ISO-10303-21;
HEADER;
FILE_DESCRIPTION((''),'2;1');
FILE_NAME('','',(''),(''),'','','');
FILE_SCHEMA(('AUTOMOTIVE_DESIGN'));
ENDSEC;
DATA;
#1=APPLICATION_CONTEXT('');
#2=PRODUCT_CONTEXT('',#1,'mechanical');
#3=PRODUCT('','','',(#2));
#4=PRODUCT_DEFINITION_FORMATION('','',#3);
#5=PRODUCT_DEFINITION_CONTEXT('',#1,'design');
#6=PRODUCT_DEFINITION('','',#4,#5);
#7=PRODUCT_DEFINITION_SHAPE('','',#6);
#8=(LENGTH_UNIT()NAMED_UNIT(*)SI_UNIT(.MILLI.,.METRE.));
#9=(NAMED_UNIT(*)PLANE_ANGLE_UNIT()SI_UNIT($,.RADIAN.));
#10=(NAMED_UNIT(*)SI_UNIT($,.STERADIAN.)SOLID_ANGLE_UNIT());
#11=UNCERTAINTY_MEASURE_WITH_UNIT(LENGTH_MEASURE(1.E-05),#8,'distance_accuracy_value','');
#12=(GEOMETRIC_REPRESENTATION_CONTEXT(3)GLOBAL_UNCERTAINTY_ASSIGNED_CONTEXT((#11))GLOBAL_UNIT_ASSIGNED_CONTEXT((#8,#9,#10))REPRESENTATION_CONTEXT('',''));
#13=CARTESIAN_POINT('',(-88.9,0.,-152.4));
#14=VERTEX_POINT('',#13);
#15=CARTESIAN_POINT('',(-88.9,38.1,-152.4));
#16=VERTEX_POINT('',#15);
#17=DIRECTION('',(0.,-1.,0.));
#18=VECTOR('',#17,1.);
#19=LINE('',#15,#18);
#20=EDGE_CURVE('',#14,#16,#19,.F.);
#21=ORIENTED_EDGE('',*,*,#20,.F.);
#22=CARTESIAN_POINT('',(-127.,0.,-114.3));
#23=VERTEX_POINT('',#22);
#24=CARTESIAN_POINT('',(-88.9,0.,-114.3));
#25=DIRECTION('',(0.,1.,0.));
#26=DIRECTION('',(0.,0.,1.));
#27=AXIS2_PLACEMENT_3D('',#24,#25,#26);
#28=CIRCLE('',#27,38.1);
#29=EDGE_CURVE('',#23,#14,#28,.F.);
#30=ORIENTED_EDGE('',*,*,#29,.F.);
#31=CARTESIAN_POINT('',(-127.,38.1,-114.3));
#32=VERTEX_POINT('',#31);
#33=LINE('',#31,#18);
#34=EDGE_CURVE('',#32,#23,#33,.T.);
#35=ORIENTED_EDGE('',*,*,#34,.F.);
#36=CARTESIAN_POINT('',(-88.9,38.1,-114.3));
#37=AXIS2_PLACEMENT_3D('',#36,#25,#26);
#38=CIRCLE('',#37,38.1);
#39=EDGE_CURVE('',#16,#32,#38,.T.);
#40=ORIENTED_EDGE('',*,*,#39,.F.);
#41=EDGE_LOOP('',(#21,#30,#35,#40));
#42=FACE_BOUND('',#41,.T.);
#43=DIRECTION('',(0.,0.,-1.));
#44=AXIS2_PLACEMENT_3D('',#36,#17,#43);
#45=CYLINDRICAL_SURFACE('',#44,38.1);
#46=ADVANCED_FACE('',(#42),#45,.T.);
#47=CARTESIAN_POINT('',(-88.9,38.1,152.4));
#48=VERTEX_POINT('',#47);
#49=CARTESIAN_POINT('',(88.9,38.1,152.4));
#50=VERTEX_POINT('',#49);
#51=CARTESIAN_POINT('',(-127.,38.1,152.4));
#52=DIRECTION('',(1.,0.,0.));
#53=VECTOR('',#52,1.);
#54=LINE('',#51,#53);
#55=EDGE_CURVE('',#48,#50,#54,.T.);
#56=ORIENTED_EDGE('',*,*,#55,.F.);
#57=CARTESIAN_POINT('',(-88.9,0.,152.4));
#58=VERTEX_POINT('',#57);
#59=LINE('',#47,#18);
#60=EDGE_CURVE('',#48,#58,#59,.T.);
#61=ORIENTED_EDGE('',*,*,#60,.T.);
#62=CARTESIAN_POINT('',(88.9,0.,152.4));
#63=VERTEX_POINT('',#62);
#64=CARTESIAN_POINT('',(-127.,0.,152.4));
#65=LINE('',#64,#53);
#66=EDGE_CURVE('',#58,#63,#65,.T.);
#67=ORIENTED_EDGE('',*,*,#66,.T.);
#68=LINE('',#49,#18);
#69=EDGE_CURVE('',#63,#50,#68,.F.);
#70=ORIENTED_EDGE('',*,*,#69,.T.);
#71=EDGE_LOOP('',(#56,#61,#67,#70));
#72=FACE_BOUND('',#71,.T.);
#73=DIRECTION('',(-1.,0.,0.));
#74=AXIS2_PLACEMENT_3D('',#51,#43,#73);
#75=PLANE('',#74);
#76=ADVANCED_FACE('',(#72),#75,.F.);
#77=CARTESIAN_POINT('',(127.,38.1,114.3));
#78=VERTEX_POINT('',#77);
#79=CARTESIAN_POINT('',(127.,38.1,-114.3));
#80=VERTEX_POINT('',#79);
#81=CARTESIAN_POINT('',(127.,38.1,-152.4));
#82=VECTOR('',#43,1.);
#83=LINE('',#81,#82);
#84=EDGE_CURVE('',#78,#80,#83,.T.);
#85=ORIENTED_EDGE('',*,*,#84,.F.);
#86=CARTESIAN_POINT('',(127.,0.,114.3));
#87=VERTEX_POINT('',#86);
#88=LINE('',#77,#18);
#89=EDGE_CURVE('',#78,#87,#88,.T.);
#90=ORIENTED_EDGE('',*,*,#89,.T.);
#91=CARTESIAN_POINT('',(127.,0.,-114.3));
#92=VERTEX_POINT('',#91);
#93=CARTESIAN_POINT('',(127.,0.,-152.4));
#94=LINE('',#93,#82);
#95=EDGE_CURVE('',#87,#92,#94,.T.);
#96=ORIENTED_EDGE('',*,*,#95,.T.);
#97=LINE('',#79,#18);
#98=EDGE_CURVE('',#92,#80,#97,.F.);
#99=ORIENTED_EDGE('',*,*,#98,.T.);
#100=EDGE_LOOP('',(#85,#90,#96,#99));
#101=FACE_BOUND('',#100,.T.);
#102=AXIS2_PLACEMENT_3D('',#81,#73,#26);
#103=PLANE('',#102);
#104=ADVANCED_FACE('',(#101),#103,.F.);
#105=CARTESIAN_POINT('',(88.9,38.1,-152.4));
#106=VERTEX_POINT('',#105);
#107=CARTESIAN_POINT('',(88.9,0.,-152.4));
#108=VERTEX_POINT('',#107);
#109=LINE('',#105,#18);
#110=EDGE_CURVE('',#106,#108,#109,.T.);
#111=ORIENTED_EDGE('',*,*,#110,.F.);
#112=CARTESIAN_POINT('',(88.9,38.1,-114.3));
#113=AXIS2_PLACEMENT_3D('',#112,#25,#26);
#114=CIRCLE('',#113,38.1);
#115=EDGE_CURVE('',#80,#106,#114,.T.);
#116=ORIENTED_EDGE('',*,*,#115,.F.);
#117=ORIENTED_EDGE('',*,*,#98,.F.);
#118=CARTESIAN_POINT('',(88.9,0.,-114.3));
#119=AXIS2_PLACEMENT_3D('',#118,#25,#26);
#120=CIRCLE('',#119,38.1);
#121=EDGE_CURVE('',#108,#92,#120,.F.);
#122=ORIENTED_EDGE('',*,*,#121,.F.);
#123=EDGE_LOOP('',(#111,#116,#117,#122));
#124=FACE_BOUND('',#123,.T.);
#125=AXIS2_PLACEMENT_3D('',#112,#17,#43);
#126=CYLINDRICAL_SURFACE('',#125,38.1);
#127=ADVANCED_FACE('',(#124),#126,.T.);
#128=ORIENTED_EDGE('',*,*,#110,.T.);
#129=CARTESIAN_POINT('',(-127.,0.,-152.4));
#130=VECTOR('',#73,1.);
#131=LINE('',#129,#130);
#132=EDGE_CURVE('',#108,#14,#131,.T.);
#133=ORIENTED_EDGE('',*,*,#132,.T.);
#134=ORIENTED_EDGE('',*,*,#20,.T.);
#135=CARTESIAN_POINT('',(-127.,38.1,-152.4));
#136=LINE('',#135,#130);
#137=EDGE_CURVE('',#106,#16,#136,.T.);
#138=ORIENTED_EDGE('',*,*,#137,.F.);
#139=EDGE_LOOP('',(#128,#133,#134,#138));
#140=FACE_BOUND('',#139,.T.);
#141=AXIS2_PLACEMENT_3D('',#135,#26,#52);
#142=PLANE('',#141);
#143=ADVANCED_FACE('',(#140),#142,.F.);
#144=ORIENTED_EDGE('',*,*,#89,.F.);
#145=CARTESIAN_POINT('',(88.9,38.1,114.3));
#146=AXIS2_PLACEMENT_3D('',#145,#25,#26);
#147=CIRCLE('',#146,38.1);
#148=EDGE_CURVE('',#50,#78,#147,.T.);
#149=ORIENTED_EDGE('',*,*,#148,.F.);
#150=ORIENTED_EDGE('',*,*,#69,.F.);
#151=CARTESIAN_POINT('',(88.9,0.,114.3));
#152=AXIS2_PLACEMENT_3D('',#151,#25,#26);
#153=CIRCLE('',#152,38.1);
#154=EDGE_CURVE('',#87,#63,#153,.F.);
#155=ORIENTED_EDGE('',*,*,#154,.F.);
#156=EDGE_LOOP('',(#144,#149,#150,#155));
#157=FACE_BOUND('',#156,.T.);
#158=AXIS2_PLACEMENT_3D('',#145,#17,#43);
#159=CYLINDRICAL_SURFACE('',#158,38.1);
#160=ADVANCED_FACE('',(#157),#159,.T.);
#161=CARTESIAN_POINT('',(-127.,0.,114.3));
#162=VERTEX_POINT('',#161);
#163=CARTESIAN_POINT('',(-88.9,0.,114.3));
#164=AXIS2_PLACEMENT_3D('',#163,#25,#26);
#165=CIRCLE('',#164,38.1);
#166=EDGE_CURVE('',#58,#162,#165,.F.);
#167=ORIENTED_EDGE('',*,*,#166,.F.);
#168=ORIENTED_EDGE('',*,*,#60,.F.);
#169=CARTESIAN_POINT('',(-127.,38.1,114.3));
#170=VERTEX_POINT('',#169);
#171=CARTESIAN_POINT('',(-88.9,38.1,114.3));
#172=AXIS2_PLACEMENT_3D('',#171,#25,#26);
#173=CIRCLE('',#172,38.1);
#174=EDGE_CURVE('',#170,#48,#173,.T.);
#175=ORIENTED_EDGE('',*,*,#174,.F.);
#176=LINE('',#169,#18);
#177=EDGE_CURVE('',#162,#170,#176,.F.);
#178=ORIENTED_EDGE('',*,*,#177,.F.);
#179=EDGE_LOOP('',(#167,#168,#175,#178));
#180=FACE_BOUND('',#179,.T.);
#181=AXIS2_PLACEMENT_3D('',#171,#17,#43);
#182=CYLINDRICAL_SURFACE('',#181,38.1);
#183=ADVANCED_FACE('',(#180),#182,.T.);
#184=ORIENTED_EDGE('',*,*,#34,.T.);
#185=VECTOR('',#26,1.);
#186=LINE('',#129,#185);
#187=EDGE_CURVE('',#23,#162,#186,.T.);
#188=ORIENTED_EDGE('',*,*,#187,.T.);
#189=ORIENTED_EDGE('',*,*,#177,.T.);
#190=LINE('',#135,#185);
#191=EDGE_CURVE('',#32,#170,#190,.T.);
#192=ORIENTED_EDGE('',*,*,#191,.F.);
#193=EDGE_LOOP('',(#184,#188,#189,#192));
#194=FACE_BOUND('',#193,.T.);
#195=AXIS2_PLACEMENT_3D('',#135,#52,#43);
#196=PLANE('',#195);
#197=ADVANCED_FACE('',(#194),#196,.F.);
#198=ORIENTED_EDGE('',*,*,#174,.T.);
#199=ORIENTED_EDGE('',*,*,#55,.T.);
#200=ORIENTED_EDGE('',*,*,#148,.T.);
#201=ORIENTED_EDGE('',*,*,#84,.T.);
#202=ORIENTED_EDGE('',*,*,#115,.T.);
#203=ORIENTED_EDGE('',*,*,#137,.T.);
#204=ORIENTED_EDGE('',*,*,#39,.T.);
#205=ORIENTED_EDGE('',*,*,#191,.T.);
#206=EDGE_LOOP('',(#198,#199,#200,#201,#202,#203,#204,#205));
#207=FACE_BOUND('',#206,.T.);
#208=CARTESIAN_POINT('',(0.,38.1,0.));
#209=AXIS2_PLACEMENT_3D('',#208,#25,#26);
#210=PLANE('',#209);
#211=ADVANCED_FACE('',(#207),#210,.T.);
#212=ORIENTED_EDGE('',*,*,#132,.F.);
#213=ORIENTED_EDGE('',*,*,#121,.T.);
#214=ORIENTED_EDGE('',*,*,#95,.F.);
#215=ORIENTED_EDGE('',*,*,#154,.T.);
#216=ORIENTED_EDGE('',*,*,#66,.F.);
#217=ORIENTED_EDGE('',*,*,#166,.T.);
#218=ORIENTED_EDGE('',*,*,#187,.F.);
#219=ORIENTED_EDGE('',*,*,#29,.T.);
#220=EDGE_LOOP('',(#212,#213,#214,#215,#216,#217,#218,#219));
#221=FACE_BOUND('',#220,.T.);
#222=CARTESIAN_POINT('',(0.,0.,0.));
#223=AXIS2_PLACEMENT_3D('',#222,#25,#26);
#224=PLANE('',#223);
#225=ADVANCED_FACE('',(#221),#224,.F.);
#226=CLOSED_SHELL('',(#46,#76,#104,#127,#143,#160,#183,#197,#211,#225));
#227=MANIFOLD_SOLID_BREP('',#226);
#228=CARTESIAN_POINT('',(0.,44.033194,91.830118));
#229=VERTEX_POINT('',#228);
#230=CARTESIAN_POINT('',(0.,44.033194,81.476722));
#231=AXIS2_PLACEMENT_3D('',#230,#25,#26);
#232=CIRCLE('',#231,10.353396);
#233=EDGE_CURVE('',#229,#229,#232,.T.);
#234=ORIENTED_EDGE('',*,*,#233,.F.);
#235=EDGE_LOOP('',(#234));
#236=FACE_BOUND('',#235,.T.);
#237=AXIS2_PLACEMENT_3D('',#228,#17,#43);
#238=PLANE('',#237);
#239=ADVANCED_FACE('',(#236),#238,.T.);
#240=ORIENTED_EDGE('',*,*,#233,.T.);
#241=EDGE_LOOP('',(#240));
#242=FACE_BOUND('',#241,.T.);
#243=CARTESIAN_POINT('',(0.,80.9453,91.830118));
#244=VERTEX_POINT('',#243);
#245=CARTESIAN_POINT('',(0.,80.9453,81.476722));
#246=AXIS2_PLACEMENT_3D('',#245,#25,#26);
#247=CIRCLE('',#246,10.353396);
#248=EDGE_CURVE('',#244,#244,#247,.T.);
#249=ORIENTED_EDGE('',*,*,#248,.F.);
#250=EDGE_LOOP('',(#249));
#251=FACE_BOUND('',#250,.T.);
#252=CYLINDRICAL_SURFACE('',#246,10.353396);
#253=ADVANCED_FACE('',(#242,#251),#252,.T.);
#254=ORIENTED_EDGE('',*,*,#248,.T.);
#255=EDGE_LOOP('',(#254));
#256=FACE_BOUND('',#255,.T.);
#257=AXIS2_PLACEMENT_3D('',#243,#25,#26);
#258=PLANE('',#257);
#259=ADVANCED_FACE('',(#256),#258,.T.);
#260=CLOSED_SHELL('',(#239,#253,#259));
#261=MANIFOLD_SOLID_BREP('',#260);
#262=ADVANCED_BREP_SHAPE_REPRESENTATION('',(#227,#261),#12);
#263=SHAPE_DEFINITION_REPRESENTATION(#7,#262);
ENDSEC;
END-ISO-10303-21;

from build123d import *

# Parameters (mm, degrees)
SKETCH1_W           = 254
SKETCH1_H           = 304.8
BOSS_EXTRUDE1_DEPTH = 38.1
FILLET1_R           = 38.1
SKETCH4_W           = 10.353395652
SKETCH4_H           = 36.912106238


with BuildPart() as part:
    # Sketch1 → Boss-Extrude1 (new body)
    with BuildSketch(Plane(origin=(0, 0, 0), x_dir=(1, 0, 0), z_dir=(0, 1, 0))):
        Rectangle(SKETCH1_W, SKETCH1_H)
    extrude(amount=BOSS_EXTRUDE1_DEPTH)

    # Fillet1
    fillet1_edges = [part.edges().sort_by_distance(p)[0] for p in [
        (-127, 19.05, -152.4),
        (127, 19.05, -152.4),
        (127, 19.05, 152.4),
        (-127, 19.05, 152.4),
    ]]
    fillet(fillet1_edges, radius=FILLET1_R)


with BuildPart() as body_2:
    # Sketch4 → Revolve1 (revolve)
    with BuildSketch(Plane(origin=(0, 0, 0), x_dir=(0, 0, -1), z_dir=(1, 0, 0))):
        with Locations((-86.653420131, 62.489246975)):
            Rectangle(SKETCH4_W, SKETCH4_H)
    revolve(axis=Axis((0, 80.945300094, 81.476722305), (0, -1, 0)))


solid = Compound([part.part, body_2.part])
